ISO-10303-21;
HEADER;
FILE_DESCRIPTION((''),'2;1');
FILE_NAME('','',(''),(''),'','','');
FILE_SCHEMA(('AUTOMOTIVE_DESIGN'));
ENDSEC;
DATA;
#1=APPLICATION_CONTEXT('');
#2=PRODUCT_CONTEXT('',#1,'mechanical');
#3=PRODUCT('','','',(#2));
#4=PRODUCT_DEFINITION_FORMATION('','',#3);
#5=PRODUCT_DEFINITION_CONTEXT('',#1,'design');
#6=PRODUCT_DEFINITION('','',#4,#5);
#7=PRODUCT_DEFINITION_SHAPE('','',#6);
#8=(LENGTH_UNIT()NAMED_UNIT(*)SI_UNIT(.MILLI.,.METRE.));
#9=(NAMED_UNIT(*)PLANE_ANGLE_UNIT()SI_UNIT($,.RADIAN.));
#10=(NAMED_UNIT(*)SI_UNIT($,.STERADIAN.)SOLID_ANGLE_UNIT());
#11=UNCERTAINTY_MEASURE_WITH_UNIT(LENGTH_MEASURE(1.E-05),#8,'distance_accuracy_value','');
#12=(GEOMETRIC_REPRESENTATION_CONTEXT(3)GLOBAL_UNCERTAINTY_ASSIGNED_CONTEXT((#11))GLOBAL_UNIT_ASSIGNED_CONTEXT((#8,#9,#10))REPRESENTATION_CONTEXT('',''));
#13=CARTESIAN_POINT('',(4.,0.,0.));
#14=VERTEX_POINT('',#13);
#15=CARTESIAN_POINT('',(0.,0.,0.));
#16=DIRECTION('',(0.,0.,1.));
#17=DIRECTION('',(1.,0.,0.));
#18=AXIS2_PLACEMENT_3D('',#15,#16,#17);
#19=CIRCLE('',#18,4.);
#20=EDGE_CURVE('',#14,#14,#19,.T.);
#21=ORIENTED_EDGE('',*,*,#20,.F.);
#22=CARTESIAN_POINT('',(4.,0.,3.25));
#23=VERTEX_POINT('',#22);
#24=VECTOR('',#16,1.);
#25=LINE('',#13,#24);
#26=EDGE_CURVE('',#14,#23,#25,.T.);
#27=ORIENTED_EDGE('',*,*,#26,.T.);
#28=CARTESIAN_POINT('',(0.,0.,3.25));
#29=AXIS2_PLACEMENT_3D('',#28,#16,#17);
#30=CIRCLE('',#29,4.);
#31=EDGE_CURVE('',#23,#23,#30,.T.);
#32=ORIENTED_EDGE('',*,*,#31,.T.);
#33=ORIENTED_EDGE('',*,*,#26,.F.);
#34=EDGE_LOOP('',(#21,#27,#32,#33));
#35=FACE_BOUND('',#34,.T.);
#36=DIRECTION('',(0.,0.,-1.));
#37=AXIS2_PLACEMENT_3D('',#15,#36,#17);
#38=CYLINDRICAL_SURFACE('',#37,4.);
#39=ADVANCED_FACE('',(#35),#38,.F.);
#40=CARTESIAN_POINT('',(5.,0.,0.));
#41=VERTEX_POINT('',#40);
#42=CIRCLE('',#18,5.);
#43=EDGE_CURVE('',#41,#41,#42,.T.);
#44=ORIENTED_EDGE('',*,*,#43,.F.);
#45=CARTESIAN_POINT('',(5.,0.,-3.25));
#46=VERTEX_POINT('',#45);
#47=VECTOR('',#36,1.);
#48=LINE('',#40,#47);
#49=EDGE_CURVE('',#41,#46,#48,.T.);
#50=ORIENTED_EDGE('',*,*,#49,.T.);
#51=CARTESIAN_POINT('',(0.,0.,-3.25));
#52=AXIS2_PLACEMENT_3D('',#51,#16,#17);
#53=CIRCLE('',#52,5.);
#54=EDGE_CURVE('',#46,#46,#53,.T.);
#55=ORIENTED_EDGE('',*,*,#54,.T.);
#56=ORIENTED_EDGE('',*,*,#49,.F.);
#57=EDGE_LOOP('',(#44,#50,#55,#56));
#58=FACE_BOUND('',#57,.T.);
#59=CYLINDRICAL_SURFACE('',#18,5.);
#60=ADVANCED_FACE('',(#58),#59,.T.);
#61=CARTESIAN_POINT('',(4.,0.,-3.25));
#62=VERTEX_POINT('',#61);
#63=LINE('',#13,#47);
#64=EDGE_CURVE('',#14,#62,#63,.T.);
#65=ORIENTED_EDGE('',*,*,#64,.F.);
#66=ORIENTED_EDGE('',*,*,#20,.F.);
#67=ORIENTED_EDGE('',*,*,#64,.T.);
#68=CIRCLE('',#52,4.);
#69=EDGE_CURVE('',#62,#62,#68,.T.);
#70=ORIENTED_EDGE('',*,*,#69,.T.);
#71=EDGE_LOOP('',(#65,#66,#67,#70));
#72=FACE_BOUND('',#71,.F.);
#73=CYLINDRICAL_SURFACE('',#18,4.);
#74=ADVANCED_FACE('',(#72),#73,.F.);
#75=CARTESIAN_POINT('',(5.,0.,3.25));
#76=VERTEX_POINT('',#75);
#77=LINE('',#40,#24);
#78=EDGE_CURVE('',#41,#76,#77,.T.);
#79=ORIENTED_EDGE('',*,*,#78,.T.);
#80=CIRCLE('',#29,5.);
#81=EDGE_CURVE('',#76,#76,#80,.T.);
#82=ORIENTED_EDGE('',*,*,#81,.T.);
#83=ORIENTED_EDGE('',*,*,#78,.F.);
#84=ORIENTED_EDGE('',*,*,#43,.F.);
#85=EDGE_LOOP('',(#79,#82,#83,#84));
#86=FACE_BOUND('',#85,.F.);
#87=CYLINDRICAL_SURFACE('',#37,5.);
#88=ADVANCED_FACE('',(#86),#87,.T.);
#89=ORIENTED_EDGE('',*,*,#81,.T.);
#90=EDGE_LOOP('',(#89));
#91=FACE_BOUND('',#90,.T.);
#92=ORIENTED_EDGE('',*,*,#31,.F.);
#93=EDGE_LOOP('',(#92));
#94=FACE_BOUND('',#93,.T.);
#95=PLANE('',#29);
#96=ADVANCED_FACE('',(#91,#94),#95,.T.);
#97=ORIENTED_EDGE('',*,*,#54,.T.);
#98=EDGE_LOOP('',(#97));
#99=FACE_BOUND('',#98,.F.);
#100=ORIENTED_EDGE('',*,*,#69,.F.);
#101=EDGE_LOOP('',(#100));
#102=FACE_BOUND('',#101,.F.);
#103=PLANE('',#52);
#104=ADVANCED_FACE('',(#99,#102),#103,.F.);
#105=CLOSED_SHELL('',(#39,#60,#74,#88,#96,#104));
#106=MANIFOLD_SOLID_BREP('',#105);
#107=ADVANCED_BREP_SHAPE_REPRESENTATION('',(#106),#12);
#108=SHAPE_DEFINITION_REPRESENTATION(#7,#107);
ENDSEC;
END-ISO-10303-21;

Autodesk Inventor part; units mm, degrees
ref_plane "YZ Plane" through (0, 0, 0) normal (1, 0, 0) x (0, 1, 0)
ref_plane "XZ Plane" through (0, 0, 0) normal (0, 1, 0) x (-1, 0, 0)
ref_plane "XY Plane" through (0, 0, 0) normal (0, 0, 1) x (1, 0, 0)
sketch "スケッチ1" plane through (0, 0, 0) normal (0, 0, 1) x (1, 0, 0)
  circle A0 centre (0, 0) radius 5
  circle A1 centre (0, 0) radius 4
  dimension "d2" = 10
  dimension "d3" = 1
extrude "押し出し1" add sketch "スケッチ1" along normal mid plane 6.5
properties part number "collar_sus"
